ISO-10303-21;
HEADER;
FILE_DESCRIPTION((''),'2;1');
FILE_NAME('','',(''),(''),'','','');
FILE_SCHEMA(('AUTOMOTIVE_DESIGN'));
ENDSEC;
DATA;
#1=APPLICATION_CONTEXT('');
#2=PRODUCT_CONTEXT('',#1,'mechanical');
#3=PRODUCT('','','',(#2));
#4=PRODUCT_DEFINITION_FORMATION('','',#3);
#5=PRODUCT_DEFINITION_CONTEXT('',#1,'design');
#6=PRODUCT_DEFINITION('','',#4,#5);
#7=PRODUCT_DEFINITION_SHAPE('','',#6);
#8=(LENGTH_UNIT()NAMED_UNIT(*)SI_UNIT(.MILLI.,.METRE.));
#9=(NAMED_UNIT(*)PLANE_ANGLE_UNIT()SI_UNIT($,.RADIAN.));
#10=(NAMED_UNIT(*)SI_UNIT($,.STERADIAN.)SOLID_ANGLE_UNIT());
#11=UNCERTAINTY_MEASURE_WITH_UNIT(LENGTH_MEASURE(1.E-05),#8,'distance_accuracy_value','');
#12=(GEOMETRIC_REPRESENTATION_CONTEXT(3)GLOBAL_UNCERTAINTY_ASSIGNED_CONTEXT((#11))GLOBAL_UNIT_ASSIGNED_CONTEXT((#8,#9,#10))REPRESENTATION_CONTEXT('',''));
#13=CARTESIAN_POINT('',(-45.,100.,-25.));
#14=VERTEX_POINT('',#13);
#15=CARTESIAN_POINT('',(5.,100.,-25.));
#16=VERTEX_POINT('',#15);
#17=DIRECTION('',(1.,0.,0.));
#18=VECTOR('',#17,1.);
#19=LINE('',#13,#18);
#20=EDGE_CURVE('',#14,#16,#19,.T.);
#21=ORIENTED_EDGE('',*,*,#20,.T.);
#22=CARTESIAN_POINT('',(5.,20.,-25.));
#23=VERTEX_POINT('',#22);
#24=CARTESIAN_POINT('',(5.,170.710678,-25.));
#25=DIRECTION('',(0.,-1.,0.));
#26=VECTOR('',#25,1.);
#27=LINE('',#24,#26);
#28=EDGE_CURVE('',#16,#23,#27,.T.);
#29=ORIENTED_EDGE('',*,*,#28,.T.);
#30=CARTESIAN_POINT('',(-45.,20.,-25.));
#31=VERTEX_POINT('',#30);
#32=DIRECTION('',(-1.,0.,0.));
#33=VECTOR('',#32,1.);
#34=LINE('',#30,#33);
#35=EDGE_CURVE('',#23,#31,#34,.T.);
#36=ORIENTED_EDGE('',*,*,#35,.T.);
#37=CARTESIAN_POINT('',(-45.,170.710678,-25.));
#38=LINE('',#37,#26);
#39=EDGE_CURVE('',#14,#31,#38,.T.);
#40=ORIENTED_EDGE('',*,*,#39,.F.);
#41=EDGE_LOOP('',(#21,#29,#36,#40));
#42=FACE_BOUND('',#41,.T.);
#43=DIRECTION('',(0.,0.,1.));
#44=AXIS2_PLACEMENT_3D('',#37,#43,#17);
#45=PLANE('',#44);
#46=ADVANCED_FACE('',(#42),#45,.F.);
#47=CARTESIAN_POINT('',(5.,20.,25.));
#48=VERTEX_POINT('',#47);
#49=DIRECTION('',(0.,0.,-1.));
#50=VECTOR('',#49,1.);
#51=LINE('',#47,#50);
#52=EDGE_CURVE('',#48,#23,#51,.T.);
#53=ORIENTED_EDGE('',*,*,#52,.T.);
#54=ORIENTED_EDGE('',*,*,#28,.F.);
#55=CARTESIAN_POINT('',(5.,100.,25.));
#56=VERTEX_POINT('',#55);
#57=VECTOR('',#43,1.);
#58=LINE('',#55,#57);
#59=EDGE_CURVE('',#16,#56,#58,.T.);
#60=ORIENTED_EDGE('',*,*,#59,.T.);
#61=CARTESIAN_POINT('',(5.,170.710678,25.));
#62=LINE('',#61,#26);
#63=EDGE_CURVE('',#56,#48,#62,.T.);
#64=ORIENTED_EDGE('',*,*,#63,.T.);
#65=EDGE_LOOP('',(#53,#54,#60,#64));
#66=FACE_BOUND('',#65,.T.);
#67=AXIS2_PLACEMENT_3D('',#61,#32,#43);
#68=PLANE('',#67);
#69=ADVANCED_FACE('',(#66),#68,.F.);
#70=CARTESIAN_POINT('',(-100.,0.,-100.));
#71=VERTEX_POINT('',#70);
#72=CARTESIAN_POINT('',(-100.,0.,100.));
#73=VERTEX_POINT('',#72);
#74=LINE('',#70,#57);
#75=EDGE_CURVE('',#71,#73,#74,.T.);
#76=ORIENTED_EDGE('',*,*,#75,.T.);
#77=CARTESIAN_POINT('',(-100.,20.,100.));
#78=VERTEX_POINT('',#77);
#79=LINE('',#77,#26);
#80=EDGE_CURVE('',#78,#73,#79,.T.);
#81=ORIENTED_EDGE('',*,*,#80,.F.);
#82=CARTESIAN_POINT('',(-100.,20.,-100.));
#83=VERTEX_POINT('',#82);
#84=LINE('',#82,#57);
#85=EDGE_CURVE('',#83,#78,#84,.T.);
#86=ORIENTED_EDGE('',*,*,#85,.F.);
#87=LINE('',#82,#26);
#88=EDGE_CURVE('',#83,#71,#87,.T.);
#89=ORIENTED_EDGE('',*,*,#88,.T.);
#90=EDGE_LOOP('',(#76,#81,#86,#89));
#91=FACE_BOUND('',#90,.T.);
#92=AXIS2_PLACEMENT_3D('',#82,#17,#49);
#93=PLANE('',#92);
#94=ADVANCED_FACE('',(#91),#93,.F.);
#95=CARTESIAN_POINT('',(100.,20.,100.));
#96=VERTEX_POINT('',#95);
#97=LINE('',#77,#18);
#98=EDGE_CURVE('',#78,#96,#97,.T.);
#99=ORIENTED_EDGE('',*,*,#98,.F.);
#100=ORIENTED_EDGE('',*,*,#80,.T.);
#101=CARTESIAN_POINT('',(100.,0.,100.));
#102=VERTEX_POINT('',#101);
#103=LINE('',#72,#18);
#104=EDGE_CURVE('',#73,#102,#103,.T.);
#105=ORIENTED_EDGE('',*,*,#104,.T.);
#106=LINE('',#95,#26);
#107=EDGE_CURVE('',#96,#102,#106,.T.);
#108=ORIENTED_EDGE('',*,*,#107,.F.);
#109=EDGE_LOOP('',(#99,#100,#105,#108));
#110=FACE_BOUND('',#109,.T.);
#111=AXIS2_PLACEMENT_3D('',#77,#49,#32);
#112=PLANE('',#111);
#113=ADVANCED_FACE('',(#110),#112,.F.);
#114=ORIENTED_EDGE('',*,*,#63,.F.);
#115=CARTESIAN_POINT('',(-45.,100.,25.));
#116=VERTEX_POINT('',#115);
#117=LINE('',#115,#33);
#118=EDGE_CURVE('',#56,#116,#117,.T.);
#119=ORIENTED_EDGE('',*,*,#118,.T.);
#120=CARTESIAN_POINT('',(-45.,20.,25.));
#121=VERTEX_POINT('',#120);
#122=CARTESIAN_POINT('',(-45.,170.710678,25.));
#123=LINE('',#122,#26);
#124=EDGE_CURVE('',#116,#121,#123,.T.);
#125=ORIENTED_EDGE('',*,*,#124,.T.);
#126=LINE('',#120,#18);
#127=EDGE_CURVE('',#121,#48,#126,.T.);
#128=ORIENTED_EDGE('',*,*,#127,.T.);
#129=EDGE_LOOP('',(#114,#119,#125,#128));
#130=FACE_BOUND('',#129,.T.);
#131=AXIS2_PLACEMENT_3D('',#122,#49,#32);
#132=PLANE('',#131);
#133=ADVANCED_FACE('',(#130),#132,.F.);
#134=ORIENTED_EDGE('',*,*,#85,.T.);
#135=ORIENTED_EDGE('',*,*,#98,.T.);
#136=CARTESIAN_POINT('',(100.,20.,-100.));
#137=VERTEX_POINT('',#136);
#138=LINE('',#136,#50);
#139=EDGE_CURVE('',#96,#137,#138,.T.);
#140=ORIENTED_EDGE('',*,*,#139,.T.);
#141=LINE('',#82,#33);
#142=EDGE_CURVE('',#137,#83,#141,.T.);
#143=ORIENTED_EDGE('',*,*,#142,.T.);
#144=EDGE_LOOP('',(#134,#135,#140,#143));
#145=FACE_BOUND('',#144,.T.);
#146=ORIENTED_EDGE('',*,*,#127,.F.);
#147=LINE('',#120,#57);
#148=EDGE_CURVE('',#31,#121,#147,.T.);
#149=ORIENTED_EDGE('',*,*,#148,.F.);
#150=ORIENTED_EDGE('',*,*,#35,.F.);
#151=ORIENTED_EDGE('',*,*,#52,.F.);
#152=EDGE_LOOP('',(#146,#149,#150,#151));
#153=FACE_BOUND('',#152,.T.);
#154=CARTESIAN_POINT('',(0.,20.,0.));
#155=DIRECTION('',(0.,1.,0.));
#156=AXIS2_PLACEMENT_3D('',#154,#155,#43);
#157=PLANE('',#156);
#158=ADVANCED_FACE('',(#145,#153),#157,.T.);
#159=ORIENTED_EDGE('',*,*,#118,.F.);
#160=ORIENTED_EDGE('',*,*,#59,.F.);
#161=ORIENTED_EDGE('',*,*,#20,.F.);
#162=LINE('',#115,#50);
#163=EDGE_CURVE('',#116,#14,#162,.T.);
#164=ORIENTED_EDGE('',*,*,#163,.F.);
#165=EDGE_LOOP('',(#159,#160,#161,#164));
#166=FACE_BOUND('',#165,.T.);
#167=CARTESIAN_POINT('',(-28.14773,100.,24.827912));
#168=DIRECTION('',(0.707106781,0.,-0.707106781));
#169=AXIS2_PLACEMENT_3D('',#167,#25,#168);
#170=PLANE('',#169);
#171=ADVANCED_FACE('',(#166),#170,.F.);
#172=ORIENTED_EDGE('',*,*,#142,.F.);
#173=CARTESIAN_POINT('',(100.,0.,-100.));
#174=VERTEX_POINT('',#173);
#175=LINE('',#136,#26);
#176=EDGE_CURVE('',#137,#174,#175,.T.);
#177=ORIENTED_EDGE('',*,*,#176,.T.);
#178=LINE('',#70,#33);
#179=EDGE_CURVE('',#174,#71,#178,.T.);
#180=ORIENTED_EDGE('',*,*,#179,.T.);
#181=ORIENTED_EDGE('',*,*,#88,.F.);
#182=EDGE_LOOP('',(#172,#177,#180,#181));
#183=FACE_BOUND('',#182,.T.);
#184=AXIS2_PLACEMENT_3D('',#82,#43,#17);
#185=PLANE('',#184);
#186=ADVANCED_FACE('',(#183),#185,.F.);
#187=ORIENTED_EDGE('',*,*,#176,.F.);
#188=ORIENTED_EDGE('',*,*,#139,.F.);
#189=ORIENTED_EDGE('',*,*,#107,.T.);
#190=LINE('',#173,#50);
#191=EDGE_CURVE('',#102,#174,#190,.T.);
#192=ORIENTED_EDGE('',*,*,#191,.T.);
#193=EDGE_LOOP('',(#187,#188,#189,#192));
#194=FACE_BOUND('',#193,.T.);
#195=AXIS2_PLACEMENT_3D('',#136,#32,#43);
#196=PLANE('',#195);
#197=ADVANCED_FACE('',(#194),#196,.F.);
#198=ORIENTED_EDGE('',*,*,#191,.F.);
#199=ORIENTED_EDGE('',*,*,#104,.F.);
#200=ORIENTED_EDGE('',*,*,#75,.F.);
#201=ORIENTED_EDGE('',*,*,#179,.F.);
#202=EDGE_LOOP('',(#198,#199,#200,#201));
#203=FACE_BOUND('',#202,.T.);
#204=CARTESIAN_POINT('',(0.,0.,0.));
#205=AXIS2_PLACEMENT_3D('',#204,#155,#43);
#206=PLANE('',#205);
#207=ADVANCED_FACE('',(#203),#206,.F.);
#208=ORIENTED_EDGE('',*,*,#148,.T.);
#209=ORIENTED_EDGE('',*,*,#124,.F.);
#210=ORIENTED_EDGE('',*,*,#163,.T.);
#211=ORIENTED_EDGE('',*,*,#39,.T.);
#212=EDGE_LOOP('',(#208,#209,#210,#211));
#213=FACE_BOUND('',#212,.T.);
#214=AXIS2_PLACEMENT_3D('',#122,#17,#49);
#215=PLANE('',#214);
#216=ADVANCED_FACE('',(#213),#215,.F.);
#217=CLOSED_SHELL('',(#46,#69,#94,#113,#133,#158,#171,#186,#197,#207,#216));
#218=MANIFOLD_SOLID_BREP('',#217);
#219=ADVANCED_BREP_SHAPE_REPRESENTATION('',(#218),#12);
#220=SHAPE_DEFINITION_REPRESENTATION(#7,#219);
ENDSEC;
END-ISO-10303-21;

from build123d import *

# Parameters (mm, degrees)
SKETCH_1_W      = 200
SKETCH_1_H      = 200
EXTRUDE_1_DEPTH = 20
SKETCH_2_W      = 50
SKETCH_2_H      = 50
EXTRUDE_2_DEPTH = 80


with BuildPart() as part:
    # 草图1 → 凸台-拉伸1 (new body)
    with BuildSketch(Plane(origin=(0, 0, 0), x_dir=(1, 0, 0), z_dir=(0, 1, 0))):
        Rectangle(SKETCH_1_W, SKETCH_1_H)
    extrude(amount=EXTRUDE_1_DEPTH)

    # 草图2 → 凸台-拉伸2 (add)
    with BuildSketch(Plane(origin=(0, 20, 0), x_dir=(1, 0, 0), z_dir=(0, 1, 0))):
        with Locations((-20, 0)):
            Rectangle(SKETCH_2_W, SKETCH_2_H)
    extrude(amount=EXTRUDE_2_DEPTH)


solid = part.part
